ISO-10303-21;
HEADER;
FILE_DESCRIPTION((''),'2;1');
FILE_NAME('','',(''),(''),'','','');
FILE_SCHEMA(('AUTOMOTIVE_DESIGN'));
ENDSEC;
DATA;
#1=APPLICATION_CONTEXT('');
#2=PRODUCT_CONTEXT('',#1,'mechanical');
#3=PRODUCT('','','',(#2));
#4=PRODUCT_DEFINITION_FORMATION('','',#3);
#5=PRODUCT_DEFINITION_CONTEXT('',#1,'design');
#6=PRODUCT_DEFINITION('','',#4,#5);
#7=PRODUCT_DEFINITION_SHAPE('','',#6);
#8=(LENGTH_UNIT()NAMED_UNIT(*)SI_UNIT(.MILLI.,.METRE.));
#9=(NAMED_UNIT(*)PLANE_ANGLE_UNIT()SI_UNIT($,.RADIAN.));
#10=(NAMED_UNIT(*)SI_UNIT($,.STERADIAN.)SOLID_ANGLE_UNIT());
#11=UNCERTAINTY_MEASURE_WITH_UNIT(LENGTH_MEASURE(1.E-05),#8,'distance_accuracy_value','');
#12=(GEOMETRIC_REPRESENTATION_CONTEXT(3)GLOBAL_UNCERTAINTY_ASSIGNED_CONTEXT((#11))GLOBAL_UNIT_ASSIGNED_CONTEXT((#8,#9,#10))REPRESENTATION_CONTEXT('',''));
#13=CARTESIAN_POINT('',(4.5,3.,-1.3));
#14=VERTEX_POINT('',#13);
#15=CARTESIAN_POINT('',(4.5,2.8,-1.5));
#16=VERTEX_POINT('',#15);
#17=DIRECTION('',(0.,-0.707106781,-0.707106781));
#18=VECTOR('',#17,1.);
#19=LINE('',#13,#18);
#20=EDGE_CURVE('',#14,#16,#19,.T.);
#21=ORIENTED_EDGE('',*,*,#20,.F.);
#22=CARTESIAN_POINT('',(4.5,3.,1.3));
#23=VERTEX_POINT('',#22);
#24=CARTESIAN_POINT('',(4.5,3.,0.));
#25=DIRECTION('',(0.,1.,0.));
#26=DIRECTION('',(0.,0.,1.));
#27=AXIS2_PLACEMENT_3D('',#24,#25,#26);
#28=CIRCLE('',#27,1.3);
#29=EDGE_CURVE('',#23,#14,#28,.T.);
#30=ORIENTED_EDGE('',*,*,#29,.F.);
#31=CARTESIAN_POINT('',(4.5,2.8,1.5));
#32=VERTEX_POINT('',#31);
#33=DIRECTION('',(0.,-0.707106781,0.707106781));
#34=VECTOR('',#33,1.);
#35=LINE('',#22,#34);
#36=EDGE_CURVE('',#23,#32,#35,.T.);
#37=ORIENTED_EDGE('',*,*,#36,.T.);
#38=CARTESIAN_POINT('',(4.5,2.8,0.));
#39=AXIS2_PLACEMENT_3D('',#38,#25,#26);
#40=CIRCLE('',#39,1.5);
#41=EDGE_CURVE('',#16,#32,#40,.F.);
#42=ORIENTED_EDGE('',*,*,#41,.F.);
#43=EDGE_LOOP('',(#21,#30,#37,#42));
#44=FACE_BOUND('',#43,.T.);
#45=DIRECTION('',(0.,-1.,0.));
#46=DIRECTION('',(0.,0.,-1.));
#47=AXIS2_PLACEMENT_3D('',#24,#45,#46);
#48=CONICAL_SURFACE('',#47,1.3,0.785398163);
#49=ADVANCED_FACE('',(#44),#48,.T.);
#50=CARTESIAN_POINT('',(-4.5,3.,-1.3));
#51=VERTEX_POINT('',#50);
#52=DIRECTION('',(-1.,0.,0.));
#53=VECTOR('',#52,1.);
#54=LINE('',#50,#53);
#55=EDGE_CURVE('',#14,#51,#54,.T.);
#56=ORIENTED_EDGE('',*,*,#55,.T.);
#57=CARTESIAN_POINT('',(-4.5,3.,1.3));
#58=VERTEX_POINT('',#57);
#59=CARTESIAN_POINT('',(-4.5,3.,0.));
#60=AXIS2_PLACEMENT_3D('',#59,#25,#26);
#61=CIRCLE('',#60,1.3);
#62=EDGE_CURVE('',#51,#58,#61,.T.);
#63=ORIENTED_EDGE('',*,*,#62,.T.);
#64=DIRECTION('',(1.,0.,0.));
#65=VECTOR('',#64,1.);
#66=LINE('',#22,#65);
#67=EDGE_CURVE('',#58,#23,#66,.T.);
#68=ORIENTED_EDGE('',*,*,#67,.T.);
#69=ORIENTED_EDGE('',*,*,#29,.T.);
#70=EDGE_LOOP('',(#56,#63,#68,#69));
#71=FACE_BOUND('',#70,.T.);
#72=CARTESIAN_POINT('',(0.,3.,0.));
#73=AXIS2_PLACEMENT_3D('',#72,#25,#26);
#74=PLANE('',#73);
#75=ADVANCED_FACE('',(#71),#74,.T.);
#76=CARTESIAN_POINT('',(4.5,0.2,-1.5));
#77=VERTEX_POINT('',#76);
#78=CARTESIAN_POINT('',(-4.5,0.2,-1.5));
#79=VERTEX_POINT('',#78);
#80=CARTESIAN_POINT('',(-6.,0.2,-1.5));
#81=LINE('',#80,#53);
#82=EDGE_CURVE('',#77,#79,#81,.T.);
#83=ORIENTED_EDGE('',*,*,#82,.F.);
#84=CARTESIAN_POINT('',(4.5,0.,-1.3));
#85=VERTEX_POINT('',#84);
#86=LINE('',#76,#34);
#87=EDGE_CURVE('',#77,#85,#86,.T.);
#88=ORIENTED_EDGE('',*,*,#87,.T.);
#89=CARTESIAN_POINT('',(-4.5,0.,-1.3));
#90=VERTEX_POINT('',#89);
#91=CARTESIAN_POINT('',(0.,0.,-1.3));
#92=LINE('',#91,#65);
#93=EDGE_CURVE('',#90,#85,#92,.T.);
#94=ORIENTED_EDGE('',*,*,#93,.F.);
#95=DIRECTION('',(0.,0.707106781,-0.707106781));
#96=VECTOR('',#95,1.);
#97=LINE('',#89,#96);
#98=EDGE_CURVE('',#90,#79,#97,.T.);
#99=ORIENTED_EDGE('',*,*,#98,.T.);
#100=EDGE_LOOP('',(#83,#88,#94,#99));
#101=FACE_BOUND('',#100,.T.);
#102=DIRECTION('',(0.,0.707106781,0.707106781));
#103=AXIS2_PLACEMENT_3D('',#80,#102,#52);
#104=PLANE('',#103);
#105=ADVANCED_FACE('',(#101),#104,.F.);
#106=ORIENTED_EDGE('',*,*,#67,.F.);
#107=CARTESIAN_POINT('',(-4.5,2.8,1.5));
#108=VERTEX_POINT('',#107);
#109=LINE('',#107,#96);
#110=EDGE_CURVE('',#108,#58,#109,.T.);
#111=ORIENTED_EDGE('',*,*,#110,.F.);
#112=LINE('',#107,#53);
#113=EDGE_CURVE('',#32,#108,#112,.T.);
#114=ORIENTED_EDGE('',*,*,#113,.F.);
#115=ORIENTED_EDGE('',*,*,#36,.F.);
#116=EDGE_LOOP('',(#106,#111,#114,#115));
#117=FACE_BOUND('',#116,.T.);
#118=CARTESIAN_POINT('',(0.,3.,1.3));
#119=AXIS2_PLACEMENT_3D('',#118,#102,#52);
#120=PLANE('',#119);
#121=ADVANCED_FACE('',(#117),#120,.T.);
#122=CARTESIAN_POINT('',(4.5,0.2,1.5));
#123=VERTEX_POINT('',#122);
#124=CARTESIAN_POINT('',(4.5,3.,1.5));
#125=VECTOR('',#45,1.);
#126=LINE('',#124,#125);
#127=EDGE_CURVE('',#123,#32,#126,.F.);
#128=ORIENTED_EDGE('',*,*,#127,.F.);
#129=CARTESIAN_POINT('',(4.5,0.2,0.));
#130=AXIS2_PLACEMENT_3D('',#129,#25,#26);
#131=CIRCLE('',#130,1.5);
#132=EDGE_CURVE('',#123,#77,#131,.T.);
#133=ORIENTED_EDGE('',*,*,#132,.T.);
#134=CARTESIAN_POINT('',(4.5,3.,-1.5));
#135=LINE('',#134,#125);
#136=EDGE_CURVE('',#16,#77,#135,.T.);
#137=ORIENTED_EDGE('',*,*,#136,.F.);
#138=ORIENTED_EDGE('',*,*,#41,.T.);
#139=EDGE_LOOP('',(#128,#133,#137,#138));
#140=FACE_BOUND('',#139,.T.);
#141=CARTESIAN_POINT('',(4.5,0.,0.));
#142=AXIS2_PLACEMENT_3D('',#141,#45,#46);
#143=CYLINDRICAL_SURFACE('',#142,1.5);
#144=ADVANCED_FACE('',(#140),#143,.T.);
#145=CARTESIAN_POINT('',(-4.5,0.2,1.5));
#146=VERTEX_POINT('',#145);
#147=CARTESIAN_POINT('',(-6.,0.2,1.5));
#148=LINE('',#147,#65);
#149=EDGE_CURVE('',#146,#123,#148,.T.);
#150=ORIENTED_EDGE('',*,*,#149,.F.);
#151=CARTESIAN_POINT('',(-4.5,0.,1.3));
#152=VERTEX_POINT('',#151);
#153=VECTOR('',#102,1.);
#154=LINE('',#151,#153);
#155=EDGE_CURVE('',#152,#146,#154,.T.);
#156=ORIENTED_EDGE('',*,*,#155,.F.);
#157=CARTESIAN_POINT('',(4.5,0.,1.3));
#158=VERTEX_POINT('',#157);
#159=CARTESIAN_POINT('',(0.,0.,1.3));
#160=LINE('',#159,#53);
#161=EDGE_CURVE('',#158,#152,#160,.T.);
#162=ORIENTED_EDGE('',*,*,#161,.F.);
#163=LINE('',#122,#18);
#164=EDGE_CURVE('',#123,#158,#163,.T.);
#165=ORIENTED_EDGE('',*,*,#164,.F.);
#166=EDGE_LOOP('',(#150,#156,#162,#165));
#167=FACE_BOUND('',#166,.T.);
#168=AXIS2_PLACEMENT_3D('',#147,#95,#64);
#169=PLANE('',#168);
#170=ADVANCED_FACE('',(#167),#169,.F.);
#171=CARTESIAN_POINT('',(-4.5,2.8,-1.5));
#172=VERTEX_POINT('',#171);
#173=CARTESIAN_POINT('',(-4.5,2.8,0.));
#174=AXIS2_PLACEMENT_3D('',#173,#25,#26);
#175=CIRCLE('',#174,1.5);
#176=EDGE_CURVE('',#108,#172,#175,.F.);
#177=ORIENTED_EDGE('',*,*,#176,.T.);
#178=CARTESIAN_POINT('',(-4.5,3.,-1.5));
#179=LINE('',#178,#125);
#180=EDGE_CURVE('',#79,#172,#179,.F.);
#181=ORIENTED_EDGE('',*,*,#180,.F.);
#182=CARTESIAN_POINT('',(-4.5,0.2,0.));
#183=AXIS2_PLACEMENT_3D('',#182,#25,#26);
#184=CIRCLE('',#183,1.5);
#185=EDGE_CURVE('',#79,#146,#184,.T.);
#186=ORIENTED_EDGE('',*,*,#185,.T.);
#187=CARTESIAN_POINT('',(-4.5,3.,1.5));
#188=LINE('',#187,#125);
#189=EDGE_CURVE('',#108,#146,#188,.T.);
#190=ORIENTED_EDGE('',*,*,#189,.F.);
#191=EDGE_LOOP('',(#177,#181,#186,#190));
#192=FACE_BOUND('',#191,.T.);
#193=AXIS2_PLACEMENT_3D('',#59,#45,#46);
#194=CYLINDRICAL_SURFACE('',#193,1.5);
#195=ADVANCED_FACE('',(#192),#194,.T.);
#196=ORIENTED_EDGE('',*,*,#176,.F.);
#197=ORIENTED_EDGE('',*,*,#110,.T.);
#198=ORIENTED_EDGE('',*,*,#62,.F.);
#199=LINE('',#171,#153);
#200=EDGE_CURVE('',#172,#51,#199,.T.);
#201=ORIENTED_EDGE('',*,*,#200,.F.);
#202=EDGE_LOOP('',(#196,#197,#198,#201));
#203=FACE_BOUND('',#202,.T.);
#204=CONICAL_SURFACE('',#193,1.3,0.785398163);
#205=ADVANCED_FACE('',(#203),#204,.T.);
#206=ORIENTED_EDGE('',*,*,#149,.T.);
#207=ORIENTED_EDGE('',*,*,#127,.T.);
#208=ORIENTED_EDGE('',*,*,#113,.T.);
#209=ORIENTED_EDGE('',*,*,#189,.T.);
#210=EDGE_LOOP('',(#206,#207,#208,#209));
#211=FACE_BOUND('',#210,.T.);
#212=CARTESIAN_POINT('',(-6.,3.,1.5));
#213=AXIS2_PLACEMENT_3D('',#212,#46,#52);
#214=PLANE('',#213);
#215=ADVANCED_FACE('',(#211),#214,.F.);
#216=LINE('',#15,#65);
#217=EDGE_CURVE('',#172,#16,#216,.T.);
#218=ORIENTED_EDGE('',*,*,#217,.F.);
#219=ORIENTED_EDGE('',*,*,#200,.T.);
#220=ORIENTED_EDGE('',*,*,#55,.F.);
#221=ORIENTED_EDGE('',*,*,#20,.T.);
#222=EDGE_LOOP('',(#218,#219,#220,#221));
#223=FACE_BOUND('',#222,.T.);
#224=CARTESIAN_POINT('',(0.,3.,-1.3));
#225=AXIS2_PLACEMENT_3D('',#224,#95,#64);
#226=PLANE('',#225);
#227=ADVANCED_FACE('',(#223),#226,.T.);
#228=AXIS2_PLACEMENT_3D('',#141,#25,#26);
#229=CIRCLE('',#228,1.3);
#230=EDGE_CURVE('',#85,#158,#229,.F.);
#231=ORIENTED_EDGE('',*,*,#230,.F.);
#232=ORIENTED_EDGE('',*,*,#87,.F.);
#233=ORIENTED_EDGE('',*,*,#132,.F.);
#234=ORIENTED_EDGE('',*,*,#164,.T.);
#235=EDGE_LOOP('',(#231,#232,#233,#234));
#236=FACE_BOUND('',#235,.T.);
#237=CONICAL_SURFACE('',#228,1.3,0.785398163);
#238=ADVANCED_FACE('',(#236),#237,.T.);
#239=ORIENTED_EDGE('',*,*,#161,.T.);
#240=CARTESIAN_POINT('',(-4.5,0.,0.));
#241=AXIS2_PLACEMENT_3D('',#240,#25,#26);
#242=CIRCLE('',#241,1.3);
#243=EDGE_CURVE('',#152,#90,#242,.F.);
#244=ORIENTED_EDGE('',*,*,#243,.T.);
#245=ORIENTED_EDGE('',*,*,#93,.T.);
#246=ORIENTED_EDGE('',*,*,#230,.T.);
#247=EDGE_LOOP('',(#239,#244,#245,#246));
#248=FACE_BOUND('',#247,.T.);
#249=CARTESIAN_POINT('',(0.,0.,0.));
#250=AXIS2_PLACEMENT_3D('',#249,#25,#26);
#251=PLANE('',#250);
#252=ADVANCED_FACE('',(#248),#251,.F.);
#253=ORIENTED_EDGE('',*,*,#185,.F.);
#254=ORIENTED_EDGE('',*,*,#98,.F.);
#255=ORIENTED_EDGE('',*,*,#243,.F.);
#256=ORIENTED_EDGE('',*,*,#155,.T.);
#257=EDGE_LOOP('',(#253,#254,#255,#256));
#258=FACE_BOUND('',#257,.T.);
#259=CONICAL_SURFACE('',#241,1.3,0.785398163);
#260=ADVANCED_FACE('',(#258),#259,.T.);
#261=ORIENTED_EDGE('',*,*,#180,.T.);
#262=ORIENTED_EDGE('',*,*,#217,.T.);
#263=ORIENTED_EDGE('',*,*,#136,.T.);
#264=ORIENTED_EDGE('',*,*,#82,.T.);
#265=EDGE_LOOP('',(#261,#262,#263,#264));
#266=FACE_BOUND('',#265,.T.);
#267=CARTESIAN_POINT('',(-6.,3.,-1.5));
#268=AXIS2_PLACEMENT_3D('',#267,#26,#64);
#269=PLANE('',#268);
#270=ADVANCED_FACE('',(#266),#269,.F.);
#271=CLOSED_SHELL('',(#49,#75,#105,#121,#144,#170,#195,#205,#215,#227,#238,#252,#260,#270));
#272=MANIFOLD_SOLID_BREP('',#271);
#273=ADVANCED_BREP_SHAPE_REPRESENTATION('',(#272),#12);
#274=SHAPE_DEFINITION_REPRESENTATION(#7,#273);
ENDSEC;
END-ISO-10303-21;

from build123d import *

# Parameters (mm, degrees)
SKETCH1_W           = 12
SKETCH1_H           = 3
BOSS_EXTRUDE1_DEPTH = 3
FILLET1_RADIUS      = 1.5
FILLET1_LENGTH      = 3
FILLET2_RADIUS      = 1.5
FILLET2_LENGTH      = 3
CHAMFER2_SIZE       = 0.2


with BuildPart() as part:
    # Sketch1 → Boss-Extrude1 (new body)
    with BuildSketch(Plane(origin=(0, 0, 0), x_dir=(1, 0, 0), z_dir=(0, 1, 0))):
        Rectangle(SKETCH1_W, SKETCH1_H)
    extrude(amount=BOSS_EXTRUDE1_DEPTH)

    # Fillet1: full round fillet: the end face becomes a half cylinder, R = half its width
    fillet1_face = Plane((-6, 1.5, 0), x_dir=(0, -1, 0), z_dir=(-1, 0, 0))  # on the end face: x along it, z out of the body
    fillet1_slab = fillet1_face.offset(-FILLET1_RADIUS / 2) * Box(FILLET1_LENGTH, 2 * FILLET1_RADIUS, FILLET1_RADIUS, mode=Mode.PRIVATE)  # the body's end, R deep
    fillet1_round = Plane((-4.5, 1.5, 0), x_dir=(-1, 0, 0), z_dir=(0, -1, 0)) * Cylinder(FILLET1_RADIUS, FILLET1_LENGTH, mode=Mode.PRIVATE)  # its axis R under the face
    add(fillet1_slab - fillet1_round, mode=Mode.SUBTRACT)

    # Fillet2: full round fillet: the end face becomes a half cylinder, R = half its width
    fillet2_face = Plane((6, 1.5, 0), x_dir=(0, 1, 0), z_dir=(1, 0, 0))  # on the end face: x along it, z out of the body
    fillet2_slab = fillet2_face.offset(-FILLET2_RADIUS / 2) * Box(FILLET2_LENGTH, 2 * FILLET2_RADIUS, FILLET2_RADIUS, mode=Mode.PRIVATE)  # the body's end, R deep
    fillet2_round = Plane((4.5, 1.5, 0), x_dir=(1, 0, 0), z_dir=(0, 1, 0)) * Cylinder(FILLET2_RADIUS, FILLET2_LENGTH, mode=Mode.PRIVATE)  # its axis R under the face
    add(fillet2_slab - fillet2_round, mode=Mode.SUBTRACT)

    # Chamfer2
    chamfer2_edges = [part.edges().sort_by_distance(p)[0] for p in [
        (0, 0, 1.5),
        (0, 3, 1.5),
        (-6, 3, 0),
        (-6, 0, 0),
        (0, 0, -1.5),
        (0, 3, -1.5),
        (6, 0, 0),
        (6, 3, 0),
    ]]
    chamfer(chamfer2_edges, length=CHAMFER2_SIZE)


solid = part.part
